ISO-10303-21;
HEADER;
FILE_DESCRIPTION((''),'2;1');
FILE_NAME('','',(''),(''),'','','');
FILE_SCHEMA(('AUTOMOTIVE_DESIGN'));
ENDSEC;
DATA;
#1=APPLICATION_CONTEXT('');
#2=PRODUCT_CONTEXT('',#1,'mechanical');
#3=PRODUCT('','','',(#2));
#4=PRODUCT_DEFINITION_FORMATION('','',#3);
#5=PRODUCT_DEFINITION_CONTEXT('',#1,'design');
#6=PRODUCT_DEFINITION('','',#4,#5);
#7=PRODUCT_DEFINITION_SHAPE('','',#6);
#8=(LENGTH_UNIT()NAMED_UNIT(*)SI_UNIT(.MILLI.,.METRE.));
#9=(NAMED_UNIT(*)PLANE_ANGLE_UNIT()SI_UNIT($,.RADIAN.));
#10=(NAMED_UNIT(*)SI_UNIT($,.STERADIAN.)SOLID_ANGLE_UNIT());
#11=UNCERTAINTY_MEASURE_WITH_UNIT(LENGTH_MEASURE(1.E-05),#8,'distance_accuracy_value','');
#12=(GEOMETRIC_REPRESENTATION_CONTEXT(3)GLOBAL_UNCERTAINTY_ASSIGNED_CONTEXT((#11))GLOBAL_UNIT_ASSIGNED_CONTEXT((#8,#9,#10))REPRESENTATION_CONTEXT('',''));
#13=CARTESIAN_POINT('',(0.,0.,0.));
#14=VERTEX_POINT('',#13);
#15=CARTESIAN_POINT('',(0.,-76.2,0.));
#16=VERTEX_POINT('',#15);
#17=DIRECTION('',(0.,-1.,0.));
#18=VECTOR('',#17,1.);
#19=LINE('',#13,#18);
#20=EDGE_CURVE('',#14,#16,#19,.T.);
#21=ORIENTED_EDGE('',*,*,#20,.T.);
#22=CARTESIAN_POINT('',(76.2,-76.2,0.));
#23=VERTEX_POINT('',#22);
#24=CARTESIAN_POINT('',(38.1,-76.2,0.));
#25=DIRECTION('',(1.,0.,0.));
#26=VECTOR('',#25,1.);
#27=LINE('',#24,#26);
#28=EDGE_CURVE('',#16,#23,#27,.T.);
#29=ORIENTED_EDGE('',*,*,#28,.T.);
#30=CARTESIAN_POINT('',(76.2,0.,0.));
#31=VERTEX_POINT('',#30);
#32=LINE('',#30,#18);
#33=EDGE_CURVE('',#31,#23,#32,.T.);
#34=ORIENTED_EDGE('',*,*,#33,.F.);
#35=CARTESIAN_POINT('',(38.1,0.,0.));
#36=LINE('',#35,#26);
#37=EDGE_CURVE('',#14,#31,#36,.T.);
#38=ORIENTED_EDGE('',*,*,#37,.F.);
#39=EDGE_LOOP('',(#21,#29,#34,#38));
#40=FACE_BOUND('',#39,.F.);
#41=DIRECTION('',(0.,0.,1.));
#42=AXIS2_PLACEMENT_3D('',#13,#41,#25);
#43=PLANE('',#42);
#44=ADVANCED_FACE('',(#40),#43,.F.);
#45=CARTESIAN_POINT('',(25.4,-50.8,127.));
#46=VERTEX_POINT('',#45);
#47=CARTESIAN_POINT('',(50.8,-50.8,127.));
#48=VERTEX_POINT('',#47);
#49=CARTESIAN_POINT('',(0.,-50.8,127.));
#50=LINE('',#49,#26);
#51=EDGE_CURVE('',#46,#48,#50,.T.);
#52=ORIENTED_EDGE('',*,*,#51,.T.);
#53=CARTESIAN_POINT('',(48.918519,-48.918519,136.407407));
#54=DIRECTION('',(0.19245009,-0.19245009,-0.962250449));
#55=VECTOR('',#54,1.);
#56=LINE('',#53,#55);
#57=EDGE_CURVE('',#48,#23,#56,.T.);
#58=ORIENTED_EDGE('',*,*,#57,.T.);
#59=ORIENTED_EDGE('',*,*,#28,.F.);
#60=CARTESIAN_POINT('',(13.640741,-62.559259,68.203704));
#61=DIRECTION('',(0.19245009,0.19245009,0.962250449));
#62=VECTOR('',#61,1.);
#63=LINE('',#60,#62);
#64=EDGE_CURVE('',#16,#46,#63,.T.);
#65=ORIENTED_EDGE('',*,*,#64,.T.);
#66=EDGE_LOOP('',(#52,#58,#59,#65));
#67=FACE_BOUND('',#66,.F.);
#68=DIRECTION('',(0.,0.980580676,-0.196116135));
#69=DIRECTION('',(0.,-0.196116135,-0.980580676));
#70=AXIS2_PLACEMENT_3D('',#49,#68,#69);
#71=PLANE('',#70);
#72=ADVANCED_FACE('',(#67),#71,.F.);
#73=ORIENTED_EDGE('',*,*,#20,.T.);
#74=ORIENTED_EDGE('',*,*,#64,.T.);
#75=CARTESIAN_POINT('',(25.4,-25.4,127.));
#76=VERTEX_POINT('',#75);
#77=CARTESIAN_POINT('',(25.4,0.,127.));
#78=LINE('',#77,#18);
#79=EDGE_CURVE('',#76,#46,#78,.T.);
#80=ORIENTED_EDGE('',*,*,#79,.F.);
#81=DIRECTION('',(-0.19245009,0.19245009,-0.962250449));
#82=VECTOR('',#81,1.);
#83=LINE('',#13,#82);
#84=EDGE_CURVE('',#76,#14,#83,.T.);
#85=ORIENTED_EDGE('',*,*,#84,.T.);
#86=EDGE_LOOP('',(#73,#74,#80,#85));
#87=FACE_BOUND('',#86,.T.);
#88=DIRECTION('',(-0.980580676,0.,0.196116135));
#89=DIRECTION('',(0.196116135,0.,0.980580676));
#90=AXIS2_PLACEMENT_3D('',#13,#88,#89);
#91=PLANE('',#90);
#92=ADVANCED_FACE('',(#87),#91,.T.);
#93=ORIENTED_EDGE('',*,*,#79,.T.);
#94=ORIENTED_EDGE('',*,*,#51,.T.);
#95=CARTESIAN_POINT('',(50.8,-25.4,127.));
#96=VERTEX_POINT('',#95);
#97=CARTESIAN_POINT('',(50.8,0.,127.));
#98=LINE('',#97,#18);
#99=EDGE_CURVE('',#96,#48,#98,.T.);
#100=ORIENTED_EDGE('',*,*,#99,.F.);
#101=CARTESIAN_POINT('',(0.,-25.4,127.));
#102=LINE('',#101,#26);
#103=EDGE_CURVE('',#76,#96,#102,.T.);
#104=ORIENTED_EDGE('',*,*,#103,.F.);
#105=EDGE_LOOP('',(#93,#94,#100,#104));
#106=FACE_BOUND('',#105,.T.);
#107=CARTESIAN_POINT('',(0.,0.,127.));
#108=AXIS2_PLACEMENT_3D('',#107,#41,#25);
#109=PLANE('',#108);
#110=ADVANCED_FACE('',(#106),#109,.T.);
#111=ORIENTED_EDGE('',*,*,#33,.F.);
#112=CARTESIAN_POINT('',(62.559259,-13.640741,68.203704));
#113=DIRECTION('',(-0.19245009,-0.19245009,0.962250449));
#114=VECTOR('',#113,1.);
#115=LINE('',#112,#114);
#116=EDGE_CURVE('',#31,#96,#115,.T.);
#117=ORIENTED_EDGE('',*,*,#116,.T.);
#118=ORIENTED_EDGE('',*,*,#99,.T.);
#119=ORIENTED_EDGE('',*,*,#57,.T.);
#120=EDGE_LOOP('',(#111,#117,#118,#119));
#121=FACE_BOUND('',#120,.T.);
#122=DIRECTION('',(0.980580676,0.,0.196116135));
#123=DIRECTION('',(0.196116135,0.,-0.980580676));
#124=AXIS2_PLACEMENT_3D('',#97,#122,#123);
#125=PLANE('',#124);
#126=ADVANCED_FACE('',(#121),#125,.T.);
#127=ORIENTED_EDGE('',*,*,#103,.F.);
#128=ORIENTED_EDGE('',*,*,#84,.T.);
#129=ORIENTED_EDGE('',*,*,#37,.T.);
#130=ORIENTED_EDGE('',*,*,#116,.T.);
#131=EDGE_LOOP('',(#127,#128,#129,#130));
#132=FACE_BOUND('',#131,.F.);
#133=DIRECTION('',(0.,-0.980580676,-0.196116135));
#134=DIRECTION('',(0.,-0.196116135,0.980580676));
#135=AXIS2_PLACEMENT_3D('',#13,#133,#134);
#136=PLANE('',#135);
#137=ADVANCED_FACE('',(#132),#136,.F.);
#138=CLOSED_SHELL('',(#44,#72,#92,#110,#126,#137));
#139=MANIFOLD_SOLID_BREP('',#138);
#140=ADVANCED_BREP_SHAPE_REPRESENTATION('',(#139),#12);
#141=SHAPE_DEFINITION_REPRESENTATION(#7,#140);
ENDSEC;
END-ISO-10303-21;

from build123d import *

# Parameters (mm, degrees)
F0_W     = 76.2
F0_H     = 127
F1_DEPTH = 76.2
F3_DEPTH = 76.2
F5_DEPTH = 76.2


with BuildPart() as f1:
    # F0 (on Front) → F1 (new body)
    with BuildSketch(Plane.XZ):
        with Locations((38.1, 63.5)):
            Rectangle(F0_W, F0_H)
    extrude(amount=F1_DEPTH)

    # F2 (on face) → F3 (cut)
    with BuildSketch(Plane(origin=(0, 0, 0), x_dir=(0, -1, 0), z_dir=(-1, 0, 0))):
        Polygon((0, 127), (0, 0), (25.4, 127), align=None)
        Polygon((50.8, 127), (76.2, 0), (76.2, 127), align=None)
    extrude(amount=-F3_DEPTH, mode=Mode.SUBTRACT)

    # F4 (on Front) → F5 (cut)
    with BuildSketch(Plane.XZ):
        Polygon((0, 127), (0, 0), (25.4, 127), align=None)
        Polygon((50.8, 127), (76.2, 0), (76.2, 127), align=None)
    extrude(amount=F5_DEPTH, mode=Mode.SUBTRACT)


solid = f1.part
